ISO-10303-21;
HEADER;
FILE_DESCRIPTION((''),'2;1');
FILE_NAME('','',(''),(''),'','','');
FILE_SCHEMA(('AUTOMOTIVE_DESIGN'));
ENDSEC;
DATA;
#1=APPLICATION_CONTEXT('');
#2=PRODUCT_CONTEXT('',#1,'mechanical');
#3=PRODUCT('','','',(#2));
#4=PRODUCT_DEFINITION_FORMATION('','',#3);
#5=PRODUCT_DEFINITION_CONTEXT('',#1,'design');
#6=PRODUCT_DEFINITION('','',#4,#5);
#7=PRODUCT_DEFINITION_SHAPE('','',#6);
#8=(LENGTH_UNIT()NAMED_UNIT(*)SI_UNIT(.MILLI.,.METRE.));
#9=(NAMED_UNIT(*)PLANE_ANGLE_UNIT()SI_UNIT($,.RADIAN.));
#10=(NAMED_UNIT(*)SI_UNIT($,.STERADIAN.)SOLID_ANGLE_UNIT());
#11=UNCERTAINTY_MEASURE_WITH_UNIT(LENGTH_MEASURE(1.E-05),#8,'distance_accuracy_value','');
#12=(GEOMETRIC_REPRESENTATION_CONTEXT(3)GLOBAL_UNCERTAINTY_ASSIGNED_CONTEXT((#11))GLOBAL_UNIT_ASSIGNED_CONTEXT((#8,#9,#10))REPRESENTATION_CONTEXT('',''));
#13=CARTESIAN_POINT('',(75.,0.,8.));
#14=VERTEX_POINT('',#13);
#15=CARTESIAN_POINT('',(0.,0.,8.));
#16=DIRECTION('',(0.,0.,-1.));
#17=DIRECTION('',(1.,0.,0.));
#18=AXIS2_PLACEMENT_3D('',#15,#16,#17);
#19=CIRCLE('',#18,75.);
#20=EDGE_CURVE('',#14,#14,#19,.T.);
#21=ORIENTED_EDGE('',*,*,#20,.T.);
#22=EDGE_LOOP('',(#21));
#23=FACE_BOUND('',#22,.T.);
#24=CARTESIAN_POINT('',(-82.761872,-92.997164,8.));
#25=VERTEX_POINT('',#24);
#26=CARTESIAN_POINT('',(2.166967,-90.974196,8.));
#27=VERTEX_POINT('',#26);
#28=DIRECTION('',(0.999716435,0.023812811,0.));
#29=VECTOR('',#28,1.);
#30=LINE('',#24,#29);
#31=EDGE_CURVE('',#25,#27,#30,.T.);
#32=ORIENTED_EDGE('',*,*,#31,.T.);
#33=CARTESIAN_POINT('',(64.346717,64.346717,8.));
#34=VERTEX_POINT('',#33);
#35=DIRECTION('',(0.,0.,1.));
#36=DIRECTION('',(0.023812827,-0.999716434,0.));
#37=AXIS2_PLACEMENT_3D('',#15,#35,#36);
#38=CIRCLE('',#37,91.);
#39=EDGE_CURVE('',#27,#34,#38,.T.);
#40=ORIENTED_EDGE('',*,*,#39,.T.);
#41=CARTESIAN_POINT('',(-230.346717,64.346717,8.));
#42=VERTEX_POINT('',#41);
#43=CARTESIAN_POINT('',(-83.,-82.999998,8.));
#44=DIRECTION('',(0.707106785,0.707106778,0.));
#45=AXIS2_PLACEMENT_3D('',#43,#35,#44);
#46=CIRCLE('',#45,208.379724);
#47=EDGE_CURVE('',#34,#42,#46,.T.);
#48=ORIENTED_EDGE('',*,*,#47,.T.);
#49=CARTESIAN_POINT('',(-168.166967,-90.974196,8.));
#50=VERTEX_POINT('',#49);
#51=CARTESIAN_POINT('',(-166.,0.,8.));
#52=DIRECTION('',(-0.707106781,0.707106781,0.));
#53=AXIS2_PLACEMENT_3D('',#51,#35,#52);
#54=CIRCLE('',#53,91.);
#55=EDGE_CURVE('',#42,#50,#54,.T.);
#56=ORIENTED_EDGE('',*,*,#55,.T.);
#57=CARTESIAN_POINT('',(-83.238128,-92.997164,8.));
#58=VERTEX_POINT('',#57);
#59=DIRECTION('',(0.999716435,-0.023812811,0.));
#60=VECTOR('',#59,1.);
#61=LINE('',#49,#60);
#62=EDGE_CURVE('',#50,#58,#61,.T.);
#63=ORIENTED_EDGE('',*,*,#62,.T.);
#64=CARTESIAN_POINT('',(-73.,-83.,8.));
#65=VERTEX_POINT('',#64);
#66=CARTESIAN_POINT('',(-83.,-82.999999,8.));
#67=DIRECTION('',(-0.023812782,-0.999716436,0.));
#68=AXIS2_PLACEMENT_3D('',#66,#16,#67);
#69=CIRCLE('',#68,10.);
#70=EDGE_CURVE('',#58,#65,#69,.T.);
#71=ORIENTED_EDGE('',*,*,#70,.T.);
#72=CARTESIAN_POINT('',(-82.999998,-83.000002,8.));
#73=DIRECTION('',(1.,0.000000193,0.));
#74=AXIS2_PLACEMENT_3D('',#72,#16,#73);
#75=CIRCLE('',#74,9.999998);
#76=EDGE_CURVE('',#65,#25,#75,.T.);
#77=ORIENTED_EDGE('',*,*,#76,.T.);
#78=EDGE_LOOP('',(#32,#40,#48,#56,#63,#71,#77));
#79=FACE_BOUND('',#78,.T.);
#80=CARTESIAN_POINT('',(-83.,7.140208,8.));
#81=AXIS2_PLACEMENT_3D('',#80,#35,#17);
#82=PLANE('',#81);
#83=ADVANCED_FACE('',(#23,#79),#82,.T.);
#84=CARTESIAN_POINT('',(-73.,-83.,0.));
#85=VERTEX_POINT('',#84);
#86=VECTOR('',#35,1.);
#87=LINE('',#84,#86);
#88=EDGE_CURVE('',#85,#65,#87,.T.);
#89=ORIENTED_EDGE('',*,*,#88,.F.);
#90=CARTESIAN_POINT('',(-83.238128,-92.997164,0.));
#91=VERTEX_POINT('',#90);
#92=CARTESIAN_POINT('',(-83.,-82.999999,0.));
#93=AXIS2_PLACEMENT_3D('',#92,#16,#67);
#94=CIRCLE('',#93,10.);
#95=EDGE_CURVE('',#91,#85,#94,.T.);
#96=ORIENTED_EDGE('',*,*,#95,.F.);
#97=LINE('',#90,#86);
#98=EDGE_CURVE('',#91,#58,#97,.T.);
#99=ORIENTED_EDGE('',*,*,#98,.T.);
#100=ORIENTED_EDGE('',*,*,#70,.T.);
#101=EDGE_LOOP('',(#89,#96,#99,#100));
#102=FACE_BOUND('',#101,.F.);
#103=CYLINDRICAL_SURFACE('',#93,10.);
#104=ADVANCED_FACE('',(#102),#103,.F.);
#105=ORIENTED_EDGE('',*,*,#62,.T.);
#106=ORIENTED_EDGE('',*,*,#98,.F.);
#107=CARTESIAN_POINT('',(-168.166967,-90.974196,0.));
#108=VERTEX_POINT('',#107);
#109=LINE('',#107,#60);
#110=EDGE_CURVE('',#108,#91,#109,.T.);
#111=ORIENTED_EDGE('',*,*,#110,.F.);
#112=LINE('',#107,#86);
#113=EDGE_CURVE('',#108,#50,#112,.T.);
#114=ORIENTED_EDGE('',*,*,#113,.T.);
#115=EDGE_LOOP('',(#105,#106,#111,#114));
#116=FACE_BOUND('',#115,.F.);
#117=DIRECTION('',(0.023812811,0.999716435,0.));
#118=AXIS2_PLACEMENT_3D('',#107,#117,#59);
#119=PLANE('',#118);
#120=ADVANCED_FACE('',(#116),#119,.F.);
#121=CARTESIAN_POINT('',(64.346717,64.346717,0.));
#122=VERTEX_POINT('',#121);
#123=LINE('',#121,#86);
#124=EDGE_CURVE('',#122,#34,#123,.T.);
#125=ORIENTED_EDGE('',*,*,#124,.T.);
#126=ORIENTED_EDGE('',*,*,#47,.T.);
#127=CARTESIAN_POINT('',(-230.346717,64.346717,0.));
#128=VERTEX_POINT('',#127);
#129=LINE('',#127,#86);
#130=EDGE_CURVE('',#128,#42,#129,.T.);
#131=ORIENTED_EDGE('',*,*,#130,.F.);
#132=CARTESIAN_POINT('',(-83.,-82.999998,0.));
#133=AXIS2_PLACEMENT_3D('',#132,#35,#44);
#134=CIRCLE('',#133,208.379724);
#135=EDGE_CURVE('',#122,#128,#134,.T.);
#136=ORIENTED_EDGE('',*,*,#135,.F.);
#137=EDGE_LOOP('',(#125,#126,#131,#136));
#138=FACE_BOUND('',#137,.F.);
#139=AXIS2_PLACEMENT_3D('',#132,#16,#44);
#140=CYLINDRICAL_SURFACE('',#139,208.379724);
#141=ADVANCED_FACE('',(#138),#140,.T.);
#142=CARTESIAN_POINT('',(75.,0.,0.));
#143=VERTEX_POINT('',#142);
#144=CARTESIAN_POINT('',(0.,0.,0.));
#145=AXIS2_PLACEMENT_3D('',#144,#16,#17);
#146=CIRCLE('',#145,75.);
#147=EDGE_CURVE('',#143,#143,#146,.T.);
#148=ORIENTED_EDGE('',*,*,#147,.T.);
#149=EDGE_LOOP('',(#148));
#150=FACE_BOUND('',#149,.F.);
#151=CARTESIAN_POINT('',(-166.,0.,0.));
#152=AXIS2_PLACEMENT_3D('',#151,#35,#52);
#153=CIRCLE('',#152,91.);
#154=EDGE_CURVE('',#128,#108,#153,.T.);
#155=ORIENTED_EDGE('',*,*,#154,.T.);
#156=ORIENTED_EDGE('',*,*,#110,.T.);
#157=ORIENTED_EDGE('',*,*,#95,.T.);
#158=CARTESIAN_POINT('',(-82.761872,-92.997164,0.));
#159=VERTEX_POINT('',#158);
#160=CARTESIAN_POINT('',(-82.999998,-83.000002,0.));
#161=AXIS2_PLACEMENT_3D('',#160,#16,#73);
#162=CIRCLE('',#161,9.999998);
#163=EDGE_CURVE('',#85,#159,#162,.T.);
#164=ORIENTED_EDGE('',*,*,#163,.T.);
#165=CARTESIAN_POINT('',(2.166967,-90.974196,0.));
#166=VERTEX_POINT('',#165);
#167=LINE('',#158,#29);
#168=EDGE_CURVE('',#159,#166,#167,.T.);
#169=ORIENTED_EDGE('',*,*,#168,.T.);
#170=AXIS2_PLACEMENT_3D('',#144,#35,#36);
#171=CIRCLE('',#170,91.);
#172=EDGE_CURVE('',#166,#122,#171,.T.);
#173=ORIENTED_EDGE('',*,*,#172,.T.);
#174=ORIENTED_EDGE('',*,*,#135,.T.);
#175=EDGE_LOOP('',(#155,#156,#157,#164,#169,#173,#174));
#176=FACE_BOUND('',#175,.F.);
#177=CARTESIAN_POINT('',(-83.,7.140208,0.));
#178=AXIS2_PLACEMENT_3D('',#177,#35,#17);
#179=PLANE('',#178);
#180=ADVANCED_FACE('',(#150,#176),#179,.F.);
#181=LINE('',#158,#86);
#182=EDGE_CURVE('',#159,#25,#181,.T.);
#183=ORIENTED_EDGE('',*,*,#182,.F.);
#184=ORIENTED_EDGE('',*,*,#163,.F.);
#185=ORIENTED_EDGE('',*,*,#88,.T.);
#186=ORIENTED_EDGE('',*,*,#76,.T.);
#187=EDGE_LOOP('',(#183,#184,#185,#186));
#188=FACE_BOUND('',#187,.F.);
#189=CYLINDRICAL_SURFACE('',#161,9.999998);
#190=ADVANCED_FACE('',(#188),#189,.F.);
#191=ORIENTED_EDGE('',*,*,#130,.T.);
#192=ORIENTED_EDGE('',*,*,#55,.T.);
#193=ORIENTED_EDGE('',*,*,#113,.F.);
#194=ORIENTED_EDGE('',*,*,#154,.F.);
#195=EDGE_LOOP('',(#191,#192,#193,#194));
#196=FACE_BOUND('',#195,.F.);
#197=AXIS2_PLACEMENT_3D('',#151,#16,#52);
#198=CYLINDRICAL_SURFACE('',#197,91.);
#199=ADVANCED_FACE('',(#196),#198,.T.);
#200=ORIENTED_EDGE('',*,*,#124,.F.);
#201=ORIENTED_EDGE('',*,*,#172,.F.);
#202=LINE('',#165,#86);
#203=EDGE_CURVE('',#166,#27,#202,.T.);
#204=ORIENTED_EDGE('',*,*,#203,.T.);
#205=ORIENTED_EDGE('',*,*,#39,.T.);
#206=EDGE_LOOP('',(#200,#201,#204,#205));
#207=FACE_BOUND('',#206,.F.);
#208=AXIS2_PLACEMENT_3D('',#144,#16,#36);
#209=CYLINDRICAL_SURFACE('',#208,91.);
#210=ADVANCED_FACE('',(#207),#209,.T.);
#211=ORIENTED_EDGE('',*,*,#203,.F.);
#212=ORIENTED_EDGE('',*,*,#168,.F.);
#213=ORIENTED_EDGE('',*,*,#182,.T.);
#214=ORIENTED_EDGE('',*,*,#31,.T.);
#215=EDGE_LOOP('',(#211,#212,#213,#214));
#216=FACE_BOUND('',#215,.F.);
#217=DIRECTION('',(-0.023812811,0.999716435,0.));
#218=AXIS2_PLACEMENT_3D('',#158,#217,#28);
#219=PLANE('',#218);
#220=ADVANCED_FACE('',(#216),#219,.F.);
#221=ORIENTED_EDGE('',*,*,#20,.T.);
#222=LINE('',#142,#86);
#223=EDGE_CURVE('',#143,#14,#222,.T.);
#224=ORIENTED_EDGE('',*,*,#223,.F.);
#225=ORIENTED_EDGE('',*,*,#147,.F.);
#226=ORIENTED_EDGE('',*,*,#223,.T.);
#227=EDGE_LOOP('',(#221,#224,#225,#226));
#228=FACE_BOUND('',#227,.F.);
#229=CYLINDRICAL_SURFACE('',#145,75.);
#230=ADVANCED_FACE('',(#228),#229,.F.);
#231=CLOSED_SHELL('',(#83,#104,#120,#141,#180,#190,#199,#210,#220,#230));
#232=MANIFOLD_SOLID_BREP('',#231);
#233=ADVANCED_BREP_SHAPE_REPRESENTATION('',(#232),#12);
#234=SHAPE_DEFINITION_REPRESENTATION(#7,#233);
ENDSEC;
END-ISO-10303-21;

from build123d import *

# Parameters (mm, degrees)
F0_R     = 75
F1_DEPTH = 8


with BuildPart() as f1:
    # F0 (on Top) → F1 (new body)
    with BuildSketch(Plane.XY):
        with BuildLine():
            ThreePointArc((-168.166967, -90.974196), (-117.487432, -76.990459), (-83, -37.309516))
            ThreePointArc((-83, -37.309516), (-48.512568, -76.990459), (2.166967, -90.974196))
            ThreePointArc((2.166967, -90.974196), (84.481738, -33.820644), (64.346717, 64.346717))
            ThreePointArc((64.346717, 64.346717), (-83, 125.379726), (-230.346717, 64.346717))
            ThreePointArc((-230.346717, 64.346717), (-250.481738, -33.820644), (-168.166967, -90.974196))
        make_face()
        with Locations((-166, 0)):
            Circle(F0_R, mode=Mode.SUBTRACT)
        with BuildLine():
            ThreePointArc((-75, 0), (0, 75), (75, 0))
            ThreePointArc((75, 0), (0, -75), (-75, 0))
        make_face(mode=Mode.SUBTRACT)
        with Locations((-166, 0)):
            Circle(F0_R)
        with BuildLine():
            ThreePointArc((2.166967, -90.974196), (-48.512568, -76.990459), (-83, -37.309516))
            ThreePointArc((-83, -37.309516), (-117.487432, -76.990459), (-168.166967, -90.974196))
            Line((-168.166967, -90.974196), (-83.238128, -92.997164))
            ThreePointArc((-83.238128, -92.997164), (-89.98637, -75.845236), (-73, -83))
            ThreePointArc((-73, -83), (-75.845236, -89.98637), (-82.761872, -92.997164))
            Line((-82.761872, -92.997164), (2.166967, -90.974196))
        make_face()
    extrude(amount=F1_DEPTH)


solid = f1.part
